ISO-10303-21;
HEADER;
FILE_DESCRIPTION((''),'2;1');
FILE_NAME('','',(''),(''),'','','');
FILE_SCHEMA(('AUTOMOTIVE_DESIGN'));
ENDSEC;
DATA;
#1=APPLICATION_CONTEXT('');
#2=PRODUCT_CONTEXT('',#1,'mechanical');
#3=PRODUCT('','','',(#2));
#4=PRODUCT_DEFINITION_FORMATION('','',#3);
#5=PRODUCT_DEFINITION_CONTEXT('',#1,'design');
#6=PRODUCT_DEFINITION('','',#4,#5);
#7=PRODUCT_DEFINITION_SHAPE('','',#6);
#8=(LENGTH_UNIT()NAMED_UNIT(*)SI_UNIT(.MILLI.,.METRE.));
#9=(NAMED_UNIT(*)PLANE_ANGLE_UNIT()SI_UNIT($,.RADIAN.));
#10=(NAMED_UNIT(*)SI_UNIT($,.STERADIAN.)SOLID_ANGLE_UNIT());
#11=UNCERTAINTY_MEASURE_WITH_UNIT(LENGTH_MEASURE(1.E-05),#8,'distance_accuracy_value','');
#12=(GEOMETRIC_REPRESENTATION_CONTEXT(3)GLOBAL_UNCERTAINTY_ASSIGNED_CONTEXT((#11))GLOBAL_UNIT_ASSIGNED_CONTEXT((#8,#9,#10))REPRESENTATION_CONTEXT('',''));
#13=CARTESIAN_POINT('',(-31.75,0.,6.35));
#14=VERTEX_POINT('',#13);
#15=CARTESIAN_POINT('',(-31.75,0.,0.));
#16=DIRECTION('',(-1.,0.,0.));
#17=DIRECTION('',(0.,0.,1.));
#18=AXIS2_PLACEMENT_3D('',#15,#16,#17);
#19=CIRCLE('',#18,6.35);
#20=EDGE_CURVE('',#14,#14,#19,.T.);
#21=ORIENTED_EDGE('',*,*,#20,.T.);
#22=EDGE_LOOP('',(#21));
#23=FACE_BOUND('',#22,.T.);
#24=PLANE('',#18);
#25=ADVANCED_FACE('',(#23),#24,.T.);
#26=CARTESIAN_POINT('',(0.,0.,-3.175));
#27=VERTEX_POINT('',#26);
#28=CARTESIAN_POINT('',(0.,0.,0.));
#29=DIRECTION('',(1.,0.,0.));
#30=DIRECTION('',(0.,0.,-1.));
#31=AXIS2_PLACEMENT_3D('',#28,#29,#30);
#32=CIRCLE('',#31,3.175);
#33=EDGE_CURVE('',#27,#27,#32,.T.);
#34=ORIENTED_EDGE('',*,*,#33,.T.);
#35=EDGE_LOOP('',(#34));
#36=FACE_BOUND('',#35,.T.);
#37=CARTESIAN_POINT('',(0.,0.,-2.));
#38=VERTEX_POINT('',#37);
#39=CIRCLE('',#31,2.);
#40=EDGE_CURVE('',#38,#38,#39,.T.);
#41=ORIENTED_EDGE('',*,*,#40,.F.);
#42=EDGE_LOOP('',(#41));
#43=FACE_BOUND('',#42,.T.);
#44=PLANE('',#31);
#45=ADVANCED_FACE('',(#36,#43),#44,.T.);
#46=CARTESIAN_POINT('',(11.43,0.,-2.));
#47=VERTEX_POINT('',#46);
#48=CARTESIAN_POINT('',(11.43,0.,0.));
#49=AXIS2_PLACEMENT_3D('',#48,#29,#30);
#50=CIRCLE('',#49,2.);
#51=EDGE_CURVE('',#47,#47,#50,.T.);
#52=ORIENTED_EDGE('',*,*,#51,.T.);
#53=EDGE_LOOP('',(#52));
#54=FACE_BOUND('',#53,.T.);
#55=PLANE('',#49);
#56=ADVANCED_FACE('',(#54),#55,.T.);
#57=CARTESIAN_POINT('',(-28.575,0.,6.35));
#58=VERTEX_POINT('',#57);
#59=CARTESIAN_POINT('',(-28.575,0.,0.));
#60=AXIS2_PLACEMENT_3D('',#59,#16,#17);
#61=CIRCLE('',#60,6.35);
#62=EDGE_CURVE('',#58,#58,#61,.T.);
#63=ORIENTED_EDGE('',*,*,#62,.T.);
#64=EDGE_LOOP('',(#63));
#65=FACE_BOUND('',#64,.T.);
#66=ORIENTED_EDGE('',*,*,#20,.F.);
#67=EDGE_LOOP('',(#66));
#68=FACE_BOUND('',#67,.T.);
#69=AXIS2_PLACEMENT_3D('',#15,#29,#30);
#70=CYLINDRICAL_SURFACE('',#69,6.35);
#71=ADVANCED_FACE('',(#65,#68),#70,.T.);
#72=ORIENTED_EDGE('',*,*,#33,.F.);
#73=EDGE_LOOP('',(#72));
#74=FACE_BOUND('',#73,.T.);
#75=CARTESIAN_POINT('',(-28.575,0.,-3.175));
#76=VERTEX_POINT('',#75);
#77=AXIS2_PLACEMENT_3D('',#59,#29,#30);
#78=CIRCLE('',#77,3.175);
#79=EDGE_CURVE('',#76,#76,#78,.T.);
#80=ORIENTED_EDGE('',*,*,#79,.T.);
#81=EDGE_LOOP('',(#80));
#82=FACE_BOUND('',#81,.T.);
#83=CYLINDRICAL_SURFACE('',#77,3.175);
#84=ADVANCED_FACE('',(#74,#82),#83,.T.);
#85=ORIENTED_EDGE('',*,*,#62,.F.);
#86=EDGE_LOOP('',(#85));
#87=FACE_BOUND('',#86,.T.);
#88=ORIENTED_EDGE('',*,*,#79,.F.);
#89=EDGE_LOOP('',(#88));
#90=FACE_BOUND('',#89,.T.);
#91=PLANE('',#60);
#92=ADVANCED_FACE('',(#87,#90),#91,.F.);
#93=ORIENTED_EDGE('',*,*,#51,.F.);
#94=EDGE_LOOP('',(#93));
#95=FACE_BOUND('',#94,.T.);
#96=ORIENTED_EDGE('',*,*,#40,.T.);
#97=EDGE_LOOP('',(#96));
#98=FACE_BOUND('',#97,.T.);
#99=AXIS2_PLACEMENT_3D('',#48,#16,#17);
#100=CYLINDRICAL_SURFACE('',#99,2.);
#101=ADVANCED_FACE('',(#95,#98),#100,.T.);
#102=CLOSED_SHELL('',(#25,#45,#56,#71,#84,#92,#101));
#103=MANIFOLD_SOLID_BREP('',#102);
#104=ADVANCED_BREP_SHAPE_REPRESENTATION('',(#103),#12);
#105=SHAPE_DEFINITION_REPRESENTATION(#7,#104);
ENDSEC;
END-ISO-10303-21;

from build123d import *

# Parameters (mm, degrees)
SKETCH1_R           = 2
BOSS_EXTRUDE1_DEPTH = 11.43
SKETCH1_3_R         = 3.175
BOSS_EXTRUDE2_DEPTH = 28.575
SKETCH2_R           = 6.35
BOSS_EXTRUDE3_DEPTH = 3.175


with BuildPart() as part:
    # Sketch1 → Boss-Extrude1 (new body)
    with BuildSketch(Plane(origin=(0, 0, 0), x_dir=(0, 0, -1), z_dir=(1, 0, 0))):
        Circle(SKETCH1_R)
    extrude(amount=BOSS_EXTRUDE1_DEPTH)

    # Sketch1<3> → Boss-Extrude2 (add)
    with BuildSketch(Plane(origin=(0, 0, 0), x_dir=(0, 0, -1), z_dir=(1, 0, 0))):
        Circle(SKETCH1_3_R)
    extrude(amount=-BOSS_EXTRUDE2_DEPTH)

    # Sketch2 → Boss-Extrude3 (add)
    with BuildSketch(Plane.ZY.offset(28.575)):
        Circle(SKETCH2_R)
    extrude(amount=BOSS_EXTRUDE3_DEPTH)


solid = part.part
